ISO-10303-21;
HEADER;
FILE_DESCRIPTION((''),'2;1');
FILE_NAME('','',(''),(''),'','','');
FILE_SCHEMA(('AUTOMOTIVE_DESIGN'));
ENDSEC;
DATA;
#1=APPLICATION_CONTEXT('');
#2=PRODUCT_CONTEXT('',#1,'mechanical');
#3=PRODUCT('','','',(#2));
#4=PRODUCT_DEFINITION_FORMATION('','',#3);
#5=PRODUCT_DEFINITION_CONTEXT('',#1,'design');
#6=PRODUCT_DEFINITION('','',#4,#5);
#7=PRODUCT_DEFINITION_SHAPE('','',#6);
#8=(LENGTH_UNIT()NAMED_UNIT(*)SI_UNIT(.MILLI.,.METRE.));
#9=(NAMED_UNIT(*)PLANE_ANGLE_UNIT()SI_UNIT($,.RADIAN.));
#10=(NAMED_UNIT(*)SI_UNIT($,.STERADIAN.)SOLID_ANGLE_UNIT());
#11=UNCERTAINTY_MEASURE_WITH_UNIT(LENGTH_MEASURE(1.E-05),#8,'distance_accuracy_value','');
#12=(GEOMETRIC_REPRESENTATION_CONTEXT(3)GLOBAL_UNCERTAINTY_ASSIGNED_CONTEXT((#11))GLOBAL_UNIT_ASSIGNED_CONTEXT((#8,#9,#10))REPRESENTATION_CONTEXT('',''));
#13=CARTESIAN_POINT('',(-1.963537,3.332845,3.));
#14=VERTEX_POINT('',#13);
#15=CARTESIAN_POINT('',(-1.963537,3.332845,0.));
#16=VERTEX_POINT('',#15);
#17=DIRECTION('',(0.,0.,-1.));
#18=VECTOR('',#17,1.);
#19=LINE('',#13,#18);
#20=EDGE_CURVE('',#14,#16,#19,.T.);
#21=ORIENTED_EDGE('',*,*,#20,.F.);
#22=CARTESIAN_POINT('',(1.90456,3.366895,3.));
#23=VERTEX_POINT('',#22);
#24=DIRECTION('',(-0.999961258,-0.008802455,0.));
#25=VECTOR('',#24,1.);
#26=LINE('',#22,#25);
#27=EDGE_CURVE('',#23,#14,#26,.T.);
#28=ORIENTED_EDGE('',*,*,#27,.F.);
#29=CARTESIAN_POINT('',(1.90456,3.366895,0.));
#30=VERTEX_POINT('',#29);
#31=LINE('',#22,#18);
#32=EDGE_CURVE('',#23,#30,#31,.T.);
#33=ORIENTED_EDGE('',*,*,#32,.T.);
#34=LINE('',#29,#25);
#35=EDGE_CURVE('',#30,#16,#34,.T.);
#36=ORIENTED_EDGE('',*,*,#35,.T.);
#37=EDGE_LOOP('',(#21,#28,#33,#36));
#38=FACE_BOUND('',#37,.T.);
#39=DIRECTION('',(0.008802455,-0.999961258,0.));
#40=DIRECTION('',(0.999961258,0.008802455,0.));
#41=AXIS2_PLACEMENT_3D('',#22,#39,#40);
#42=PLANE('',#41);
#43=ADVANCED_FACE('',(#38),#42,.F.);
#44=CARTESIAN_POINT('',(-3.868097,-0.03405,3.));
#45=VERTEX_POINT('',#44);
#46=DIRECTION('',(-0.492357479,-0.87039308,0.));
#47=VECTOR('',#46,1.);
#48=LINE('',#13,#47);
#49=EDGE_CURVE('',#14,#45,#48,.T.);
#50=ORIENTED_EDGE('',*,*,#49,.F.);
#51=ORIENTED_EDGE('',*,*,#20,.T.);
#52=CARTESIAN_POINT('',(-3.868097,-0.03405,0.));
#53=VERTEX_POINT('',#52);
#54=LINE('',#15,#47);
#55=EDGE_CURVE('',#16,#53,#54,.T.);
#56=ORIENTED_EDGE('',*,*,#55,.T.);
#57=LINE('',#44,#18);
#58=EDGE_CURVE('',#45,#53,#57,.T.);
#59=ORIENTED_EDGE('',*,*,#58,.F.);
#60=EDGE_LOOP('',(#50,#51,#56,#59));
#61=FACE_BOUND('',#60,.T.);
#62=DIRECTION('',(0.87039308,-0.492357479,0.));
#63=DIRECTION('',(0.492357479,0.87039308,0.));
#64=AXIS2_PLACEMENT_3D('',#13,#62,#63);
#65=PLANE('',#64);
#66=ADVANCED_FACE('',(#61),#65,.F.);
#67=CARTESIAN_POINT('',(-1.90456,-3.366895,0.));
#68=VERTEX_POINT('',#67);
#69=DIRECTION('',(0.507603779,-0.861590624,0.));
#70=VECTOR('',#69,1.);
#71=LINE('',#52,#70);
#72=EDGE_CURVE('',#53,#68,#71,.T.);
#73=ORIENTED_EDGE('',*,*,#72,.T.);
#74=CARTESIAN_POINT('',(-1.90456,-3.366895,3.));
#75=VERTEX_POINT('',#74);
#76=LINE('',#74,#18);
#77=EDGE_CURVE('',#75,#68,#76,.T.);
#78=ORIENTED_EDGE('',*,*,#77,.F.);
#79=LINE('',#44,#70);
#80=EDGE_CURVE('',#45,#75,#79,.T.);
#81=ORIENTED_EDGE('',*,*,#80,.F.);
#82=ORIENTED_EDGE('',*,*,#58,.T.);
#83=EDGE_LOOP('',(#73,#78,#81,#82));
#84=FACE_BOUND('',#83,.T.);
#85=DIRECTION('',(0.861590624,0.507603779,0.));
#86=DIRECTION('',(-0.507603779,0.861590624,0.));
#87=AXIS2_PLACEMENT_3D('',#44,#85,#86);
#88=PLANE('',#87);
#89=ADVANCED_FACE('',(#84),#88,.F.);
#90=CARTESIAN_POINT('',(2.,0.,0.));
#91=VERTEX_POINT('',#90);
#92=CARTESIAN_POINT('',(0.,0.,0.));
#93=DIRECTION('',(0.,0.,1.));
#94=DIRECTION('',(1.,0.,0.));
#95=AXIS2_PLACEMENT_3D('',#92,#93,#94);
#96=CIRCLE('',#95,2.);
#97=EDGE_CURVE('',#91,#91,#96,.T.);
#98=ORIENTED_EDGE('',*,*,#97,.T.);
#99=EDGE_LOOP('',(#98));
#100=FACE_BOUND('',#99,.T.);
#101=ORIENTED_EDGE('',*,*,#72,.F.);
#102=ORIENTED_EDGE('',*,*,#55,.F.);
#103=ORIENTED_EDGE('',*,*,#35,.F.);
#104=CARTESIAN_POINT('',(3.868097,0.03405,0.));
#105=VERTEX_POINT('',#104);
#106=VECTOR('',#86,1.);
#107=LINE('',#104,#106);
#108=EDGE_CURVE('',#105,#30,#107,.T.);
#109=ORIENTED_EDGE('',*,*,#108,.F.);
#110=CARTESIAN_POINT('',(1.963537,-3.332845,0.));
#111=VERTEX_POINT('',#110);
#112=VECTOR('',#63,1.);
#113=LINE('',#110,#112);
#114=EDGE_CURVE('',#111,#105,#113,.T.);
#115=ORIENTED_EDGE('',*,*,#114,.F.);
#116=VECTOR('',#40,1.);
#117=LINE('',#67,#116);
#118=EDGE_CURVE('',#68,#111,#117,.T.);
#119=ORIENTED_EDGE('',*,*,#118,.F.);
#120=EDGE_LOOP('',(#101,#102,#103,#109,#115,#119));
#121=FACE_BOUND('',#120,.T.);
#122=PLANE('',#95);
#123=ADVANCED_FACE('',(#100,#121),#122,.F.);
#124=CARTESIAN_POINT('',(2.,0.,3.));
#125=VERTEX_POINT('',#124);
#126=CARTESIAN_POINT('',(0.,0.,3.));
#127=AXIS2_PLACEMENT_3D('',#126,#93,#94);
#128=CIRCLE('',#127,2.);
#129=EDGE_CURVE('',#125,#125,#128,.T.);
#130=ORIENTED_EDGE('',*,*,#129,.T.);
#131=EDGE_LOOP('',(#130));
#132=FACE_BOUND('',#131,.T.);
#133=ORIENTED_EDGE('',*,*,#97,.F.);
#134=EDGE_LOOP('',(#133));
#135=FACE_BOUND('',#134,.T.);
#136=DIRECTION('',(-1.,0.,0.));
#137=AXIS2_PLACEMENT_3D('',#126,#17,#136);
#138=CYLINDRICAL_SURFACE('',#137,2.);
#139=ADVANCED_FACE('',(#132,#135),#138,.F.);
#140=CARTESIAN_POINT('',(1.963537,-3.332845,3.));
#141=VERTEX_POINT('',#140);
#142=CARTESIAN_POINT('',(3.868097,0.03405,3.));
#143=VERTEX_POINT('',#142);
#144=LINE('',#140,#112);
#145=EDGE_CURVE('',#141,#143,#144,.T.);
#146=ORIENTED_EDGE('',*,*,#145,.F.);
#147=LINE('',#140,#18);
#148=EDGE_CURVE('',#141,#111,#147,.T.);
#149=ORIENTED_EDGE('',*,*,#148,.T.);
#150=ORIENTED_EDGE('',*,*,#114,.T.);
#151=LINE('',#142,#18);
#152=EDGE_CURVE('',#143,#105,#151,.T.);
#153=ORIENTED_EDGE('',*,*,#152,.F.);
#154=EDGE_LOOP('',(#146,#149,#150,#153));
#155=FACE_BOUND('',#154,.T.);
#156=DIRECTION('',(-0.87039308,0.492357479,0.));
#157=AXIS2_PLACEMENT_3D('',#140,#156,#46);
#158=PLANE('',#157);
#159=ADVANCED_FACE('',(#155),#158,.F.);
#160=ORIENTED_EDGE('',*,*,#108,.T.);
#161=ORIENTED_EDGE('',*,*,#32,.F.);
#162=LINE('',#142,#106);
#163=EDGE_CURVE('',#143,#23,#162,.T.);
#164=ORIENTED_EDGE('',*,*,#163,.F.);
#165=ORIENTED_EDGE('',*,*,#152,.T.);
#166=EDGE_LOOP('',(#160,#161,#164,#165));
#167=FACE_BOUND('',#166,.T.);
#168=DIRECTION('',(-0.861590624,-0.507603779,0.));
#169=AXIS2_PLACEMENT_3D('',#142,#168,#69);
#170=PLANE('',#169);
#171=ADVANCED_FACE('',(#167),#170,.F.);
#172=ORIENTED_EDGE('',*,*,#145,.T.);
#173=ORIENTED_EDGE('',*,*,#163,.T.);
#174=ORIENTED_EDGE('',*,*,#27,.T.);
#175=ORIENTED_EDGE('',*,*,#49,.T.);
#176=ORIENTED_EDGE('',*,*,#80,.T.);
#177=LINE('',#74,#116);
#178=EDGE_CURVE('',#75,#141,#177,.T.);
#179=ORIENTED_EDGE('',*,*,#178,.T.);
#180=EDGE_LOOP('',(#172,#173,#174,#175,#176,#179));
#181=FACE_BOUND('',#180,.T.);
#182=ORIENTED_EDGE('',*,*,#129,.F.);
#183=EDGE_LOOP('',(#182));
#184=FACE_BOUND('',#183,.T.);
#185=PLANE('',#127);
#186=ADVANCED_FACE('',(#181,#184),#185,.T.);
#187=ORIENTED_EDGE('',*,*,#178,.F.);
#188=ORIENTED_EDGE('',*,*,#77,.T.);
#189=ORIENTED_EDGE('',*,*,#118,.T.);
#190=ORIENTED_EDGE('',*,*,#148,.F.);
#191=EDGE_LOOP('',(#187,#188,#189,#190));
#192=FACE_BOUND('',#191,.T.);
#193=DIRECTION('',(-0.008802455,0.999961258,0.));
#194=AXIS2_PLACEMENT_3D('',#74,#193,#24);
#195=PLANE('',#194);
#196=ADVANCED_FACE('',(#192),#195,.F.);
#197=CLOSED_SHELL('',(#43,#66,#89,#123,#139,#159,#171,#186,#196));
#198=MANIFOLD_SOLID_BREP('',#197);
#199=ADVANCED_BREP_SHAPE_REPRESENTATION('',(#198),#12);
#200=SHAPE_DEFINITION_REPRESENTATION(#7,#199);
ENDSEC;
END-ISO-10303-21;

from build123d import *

# Parameters (mm, degrees)
SKETCH_1_R      = 2
EXTRUDE_1_DEPTH = 3


with BuildPart() as part:
    # 草图1 → 凸台-拉伸1 (new body)
    with BuildSketch(Plane.XY):
        Polygon((1.963536694, -3.332845178), (3.868096939, 0.034050069), (1.904560244, 3.366895248), (-1.963536694, 3.332845178), (-3.868096939, -0.034050069), (-1.904560244, -3.366895248), align=None)
        Circle(SKETCH_1_R, mode=Mode.SUBTRACT)
    extrude(amount=EXTRUDE_1_DEPTH)


solid = part.part
